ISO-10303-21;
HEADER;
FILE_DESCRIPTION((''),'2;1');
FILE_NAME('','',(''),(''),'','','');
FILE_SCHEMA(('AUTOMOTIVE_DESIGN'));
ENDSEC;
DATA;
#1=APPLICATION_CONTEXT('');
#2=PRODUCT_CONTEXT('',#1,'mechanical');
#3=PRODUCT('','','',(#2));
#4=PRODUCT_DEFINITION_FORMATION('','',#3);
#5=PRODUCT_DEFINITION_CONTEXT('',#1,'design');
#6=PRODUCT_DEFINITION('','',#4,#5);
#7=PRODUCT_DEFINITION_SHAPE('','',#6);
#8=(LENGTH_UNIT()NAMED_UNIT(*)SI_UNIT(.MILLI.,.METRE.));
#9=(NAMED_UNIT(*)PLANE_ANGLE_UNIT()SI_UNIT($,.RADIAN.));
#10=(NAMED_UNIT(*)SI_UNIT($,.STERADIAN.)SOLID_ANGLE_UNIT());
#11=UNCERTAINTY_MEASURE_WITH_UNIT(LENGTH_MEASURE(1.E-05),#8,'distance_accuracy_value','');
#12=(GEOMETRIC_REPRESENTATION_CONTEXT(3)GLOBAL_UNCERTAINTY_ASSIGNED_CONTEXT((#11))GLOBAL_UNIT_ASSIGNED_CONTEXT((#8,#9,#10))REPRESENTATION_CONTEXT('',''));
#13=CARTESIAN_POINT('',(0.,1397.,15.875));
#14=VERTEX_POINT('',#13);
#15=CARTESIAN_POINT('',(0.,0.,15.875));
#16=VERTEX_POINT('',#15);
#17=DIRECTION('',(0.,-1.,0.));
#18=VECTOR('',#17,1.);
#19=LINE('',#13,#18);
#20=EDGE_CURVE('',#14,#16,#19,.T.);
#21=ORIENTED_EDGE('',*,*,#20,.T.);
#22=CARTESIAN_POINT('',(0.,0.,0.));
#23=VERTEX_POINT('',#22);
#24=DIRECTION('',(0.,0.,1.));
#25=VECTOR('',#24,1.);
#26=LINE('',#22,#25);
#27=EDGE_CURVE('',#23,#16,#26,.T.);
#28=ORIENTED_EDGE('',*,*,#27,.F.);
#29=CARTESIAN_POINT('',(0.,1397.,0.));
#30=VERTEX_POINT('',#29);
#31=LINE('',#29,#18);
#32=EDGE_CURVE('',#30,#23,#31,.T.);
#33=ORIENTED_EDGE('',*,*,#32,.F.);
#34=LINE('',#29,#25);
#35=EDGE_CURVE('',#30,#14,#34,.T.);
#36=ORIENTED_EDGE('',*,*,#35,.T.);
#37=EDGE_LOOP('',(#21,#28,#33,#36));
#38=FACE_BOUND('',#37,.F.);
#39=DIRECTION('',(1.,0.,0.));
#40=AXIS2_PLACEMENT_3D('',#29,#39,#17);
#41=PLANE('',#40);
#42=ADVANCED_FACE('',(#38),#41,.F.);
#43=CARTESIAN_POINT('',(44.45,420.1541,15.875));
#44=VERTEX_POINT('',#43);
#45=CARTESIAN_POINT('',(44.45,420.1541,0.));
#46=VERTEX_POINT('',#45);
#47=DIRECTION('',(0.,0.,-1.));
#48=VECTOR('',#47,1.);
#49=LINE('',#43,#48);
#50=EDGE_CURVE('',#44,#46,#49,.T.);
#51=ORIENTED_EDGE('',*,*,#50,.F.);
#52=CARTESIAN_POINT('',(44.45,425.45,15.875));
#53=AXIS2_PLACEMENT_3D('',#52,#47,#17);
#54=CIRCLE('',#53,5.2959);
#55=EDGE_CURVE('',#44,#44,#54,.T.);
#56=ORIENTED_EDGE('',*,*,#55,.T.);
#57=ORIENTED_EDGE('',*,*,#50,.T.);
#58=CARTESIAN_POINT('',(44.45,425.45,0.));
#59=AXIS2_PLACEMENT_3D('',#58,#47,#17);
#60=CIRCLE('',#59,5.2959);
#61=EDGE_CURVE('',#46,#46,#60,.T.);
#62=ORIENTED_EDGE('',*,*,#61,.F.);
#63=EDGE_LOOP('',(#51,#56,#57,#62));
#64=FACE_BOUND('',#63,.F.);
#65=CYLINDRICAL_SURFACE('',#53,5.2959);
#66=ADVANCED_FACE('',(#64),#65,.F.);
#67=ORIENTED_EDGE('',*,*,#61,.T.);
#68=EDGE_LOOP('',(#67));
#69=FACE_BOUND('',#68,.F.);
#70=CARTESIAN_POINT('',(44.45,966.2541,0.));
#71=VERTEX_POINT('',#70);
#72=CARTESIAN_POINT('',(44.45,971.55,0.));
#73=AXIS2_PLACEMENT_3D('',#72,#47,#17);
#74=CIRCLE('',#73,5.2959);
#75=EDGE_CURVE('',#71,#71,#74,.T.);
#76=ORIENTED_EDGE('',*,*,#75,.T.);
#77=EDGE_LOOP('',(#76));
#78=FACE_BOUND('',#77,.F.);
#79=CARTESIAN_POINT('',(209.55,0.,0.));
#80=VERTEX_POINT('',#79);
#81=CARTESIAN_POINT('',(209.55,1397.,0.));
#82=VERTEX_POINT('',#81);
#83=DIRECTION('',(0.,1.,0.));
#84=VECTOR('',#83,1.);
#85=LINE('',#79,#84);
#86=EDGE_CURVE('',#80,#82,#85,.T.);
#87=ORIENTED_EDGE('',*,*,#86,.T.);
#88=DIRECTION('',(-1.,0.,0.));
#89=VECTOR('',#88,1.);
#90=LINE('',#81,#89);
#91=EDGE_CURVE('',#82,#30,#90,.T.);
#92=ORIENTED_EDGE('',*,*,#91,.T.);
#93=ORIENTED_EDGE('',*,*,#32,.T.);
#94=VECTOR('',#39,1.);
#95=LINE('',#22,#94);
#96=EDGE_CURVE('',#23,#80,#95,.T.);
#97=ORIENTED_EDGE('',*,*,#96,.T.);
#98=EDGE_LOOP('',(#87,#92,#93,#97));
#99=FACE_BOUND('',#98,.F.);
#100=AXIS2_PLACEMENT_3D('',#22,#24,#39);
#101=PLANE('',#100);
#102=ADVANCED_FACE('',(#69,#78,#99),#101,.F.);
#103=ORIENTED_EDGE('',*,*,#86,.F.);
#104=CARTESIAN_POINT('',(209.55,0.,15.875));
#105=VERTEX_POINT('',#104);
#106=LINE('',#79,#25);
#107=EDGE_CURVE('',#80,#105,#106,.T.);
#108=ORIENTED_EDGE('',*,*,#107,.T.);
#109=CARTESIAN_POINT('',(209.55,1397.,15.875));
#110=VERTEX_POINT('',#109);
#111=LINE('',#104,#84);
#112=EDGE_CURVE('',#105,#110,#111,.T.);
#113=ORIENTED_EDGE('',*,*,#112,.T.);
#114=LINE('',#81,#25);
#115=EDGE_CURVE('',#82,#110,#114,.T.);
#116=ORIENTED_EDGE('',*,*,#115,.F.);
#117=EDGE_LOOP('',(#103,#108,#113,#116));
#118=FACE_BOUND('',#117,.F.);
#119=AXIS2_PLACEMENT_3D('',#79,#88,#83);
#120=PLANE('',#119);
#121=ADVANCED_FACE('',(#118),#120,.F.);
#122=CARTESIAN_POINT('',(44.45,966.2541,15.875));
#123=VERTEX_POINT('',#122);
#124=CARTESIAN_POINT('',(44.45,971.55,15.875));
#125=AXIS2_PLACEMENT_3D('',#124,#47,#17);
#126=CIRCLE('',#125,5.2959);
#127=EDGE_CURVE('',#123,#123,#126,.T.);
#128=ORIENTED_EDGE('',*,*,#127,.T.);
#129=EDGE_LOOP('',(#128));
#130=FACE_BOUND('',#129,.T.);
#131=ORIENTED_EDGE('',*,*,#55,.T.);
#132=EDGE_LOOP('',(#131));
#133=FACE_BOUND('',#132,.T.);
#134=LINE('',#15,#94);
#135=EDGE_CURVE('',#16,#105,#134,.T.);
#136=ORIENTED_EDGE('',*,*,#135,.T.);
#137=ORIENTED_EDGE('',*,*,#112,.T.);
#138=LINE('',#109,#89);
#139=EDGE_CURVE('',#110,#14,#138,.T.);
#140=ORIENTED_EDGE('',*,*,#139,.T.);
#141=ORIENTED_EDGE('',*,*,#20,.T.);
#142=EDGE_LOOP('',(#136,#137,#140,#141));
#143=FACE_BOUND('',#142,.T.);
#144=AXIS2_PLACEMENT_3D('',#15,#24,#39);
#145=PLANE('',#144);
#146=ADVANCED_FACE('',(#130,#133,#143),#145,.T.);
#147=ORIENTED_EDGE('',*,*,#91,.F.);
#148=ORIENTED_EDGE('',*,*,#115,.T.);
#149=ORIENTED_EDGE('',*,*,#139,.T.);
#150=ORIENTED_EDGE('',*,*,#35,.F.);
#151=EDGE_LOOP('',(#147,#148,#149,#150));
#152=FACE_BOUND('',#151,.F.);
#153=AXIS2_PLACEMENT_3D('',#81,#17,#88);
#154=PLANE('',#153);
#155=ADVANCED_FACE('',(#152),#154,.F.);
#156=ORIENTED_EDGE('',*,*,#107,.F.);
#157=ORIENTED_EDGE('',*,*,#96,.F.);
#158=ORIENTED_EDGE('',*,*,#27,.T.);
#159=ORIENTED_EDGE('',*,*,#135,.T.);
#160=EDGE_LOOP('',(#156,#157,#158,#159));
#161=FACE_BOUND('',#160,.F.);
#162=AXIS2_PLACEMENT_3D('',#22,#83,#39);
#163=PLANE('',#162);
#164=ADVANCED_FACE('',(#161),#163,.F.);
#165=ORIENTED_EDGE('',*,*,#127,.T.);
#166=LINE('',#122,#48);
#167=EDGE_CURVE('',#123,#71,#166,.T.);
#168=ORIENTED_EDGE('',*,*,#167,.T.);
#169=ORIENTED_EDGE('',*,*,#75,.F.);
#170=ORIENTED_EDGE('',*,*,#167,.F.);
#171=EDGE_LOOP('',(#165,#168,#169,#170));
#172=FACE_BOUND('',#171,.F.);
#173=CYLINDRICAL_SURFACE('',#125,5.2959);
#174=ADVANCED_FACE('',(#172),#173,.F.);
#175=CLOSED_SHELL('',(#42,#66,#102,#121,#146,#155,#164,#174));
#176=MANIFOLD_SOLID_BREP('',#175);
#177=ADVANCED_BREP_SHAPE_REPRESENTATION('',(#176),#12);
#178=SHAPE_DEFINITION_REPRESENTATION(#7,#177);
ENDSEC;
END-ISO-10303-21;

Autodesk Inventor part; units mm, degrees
ref_plane "YZ Plane" through (0, 0, 0) normal (1, 0, 0) x (0, 1, 0)
ref_plane "XZ Plane" through (0, 0, 0) normal (0, 1, 0) x (-1, 0, 0)
ref_plane "XY Plane" through (0, 0, 0) normal (0, 0, 1) x (1, 0, 0)
sketch "Sketch2" plane through (0, 0, 0) normal (0, 0, 1) x (1, 0, 0)
  line L0 (0, 0) -> (209.55, 0)
  line L1 (209.55, 0) -> (209.55, 1397)
  line L2 (209.55, 1397) -> (0, 1397)
  line L3 (0, 1397) -> (0, 0)
  dimension "d4" = 209.55
  dimension "d5" = 1397
extrude "Extrusion2" add sketch "Sketch2" along normal blind 15.875
sketch "Sketch4" plane through (0, 0, 15.875) normal (0, 0, 1) x (1, 0, 0)
  line L0 (0, 1397) -> (0, 0) projected
  line L1 (0, 971.55) -> (44.45, 971.55)
  line L2 (44.45, 971.55) -> (44.45, 425.45)
  dimension "d18" = 44.45
hole "Hole2" at (44.45, 971.55, 15.875) at (44.45, 425.45, 15.875) direction (0, 0, -1) diameter 10.5918 end through all thread size "1/2-13 UNC" class "2B" standard "ANSI Unified Screw Threads"
properties part number "model 2 comp 2 floor part 1"
